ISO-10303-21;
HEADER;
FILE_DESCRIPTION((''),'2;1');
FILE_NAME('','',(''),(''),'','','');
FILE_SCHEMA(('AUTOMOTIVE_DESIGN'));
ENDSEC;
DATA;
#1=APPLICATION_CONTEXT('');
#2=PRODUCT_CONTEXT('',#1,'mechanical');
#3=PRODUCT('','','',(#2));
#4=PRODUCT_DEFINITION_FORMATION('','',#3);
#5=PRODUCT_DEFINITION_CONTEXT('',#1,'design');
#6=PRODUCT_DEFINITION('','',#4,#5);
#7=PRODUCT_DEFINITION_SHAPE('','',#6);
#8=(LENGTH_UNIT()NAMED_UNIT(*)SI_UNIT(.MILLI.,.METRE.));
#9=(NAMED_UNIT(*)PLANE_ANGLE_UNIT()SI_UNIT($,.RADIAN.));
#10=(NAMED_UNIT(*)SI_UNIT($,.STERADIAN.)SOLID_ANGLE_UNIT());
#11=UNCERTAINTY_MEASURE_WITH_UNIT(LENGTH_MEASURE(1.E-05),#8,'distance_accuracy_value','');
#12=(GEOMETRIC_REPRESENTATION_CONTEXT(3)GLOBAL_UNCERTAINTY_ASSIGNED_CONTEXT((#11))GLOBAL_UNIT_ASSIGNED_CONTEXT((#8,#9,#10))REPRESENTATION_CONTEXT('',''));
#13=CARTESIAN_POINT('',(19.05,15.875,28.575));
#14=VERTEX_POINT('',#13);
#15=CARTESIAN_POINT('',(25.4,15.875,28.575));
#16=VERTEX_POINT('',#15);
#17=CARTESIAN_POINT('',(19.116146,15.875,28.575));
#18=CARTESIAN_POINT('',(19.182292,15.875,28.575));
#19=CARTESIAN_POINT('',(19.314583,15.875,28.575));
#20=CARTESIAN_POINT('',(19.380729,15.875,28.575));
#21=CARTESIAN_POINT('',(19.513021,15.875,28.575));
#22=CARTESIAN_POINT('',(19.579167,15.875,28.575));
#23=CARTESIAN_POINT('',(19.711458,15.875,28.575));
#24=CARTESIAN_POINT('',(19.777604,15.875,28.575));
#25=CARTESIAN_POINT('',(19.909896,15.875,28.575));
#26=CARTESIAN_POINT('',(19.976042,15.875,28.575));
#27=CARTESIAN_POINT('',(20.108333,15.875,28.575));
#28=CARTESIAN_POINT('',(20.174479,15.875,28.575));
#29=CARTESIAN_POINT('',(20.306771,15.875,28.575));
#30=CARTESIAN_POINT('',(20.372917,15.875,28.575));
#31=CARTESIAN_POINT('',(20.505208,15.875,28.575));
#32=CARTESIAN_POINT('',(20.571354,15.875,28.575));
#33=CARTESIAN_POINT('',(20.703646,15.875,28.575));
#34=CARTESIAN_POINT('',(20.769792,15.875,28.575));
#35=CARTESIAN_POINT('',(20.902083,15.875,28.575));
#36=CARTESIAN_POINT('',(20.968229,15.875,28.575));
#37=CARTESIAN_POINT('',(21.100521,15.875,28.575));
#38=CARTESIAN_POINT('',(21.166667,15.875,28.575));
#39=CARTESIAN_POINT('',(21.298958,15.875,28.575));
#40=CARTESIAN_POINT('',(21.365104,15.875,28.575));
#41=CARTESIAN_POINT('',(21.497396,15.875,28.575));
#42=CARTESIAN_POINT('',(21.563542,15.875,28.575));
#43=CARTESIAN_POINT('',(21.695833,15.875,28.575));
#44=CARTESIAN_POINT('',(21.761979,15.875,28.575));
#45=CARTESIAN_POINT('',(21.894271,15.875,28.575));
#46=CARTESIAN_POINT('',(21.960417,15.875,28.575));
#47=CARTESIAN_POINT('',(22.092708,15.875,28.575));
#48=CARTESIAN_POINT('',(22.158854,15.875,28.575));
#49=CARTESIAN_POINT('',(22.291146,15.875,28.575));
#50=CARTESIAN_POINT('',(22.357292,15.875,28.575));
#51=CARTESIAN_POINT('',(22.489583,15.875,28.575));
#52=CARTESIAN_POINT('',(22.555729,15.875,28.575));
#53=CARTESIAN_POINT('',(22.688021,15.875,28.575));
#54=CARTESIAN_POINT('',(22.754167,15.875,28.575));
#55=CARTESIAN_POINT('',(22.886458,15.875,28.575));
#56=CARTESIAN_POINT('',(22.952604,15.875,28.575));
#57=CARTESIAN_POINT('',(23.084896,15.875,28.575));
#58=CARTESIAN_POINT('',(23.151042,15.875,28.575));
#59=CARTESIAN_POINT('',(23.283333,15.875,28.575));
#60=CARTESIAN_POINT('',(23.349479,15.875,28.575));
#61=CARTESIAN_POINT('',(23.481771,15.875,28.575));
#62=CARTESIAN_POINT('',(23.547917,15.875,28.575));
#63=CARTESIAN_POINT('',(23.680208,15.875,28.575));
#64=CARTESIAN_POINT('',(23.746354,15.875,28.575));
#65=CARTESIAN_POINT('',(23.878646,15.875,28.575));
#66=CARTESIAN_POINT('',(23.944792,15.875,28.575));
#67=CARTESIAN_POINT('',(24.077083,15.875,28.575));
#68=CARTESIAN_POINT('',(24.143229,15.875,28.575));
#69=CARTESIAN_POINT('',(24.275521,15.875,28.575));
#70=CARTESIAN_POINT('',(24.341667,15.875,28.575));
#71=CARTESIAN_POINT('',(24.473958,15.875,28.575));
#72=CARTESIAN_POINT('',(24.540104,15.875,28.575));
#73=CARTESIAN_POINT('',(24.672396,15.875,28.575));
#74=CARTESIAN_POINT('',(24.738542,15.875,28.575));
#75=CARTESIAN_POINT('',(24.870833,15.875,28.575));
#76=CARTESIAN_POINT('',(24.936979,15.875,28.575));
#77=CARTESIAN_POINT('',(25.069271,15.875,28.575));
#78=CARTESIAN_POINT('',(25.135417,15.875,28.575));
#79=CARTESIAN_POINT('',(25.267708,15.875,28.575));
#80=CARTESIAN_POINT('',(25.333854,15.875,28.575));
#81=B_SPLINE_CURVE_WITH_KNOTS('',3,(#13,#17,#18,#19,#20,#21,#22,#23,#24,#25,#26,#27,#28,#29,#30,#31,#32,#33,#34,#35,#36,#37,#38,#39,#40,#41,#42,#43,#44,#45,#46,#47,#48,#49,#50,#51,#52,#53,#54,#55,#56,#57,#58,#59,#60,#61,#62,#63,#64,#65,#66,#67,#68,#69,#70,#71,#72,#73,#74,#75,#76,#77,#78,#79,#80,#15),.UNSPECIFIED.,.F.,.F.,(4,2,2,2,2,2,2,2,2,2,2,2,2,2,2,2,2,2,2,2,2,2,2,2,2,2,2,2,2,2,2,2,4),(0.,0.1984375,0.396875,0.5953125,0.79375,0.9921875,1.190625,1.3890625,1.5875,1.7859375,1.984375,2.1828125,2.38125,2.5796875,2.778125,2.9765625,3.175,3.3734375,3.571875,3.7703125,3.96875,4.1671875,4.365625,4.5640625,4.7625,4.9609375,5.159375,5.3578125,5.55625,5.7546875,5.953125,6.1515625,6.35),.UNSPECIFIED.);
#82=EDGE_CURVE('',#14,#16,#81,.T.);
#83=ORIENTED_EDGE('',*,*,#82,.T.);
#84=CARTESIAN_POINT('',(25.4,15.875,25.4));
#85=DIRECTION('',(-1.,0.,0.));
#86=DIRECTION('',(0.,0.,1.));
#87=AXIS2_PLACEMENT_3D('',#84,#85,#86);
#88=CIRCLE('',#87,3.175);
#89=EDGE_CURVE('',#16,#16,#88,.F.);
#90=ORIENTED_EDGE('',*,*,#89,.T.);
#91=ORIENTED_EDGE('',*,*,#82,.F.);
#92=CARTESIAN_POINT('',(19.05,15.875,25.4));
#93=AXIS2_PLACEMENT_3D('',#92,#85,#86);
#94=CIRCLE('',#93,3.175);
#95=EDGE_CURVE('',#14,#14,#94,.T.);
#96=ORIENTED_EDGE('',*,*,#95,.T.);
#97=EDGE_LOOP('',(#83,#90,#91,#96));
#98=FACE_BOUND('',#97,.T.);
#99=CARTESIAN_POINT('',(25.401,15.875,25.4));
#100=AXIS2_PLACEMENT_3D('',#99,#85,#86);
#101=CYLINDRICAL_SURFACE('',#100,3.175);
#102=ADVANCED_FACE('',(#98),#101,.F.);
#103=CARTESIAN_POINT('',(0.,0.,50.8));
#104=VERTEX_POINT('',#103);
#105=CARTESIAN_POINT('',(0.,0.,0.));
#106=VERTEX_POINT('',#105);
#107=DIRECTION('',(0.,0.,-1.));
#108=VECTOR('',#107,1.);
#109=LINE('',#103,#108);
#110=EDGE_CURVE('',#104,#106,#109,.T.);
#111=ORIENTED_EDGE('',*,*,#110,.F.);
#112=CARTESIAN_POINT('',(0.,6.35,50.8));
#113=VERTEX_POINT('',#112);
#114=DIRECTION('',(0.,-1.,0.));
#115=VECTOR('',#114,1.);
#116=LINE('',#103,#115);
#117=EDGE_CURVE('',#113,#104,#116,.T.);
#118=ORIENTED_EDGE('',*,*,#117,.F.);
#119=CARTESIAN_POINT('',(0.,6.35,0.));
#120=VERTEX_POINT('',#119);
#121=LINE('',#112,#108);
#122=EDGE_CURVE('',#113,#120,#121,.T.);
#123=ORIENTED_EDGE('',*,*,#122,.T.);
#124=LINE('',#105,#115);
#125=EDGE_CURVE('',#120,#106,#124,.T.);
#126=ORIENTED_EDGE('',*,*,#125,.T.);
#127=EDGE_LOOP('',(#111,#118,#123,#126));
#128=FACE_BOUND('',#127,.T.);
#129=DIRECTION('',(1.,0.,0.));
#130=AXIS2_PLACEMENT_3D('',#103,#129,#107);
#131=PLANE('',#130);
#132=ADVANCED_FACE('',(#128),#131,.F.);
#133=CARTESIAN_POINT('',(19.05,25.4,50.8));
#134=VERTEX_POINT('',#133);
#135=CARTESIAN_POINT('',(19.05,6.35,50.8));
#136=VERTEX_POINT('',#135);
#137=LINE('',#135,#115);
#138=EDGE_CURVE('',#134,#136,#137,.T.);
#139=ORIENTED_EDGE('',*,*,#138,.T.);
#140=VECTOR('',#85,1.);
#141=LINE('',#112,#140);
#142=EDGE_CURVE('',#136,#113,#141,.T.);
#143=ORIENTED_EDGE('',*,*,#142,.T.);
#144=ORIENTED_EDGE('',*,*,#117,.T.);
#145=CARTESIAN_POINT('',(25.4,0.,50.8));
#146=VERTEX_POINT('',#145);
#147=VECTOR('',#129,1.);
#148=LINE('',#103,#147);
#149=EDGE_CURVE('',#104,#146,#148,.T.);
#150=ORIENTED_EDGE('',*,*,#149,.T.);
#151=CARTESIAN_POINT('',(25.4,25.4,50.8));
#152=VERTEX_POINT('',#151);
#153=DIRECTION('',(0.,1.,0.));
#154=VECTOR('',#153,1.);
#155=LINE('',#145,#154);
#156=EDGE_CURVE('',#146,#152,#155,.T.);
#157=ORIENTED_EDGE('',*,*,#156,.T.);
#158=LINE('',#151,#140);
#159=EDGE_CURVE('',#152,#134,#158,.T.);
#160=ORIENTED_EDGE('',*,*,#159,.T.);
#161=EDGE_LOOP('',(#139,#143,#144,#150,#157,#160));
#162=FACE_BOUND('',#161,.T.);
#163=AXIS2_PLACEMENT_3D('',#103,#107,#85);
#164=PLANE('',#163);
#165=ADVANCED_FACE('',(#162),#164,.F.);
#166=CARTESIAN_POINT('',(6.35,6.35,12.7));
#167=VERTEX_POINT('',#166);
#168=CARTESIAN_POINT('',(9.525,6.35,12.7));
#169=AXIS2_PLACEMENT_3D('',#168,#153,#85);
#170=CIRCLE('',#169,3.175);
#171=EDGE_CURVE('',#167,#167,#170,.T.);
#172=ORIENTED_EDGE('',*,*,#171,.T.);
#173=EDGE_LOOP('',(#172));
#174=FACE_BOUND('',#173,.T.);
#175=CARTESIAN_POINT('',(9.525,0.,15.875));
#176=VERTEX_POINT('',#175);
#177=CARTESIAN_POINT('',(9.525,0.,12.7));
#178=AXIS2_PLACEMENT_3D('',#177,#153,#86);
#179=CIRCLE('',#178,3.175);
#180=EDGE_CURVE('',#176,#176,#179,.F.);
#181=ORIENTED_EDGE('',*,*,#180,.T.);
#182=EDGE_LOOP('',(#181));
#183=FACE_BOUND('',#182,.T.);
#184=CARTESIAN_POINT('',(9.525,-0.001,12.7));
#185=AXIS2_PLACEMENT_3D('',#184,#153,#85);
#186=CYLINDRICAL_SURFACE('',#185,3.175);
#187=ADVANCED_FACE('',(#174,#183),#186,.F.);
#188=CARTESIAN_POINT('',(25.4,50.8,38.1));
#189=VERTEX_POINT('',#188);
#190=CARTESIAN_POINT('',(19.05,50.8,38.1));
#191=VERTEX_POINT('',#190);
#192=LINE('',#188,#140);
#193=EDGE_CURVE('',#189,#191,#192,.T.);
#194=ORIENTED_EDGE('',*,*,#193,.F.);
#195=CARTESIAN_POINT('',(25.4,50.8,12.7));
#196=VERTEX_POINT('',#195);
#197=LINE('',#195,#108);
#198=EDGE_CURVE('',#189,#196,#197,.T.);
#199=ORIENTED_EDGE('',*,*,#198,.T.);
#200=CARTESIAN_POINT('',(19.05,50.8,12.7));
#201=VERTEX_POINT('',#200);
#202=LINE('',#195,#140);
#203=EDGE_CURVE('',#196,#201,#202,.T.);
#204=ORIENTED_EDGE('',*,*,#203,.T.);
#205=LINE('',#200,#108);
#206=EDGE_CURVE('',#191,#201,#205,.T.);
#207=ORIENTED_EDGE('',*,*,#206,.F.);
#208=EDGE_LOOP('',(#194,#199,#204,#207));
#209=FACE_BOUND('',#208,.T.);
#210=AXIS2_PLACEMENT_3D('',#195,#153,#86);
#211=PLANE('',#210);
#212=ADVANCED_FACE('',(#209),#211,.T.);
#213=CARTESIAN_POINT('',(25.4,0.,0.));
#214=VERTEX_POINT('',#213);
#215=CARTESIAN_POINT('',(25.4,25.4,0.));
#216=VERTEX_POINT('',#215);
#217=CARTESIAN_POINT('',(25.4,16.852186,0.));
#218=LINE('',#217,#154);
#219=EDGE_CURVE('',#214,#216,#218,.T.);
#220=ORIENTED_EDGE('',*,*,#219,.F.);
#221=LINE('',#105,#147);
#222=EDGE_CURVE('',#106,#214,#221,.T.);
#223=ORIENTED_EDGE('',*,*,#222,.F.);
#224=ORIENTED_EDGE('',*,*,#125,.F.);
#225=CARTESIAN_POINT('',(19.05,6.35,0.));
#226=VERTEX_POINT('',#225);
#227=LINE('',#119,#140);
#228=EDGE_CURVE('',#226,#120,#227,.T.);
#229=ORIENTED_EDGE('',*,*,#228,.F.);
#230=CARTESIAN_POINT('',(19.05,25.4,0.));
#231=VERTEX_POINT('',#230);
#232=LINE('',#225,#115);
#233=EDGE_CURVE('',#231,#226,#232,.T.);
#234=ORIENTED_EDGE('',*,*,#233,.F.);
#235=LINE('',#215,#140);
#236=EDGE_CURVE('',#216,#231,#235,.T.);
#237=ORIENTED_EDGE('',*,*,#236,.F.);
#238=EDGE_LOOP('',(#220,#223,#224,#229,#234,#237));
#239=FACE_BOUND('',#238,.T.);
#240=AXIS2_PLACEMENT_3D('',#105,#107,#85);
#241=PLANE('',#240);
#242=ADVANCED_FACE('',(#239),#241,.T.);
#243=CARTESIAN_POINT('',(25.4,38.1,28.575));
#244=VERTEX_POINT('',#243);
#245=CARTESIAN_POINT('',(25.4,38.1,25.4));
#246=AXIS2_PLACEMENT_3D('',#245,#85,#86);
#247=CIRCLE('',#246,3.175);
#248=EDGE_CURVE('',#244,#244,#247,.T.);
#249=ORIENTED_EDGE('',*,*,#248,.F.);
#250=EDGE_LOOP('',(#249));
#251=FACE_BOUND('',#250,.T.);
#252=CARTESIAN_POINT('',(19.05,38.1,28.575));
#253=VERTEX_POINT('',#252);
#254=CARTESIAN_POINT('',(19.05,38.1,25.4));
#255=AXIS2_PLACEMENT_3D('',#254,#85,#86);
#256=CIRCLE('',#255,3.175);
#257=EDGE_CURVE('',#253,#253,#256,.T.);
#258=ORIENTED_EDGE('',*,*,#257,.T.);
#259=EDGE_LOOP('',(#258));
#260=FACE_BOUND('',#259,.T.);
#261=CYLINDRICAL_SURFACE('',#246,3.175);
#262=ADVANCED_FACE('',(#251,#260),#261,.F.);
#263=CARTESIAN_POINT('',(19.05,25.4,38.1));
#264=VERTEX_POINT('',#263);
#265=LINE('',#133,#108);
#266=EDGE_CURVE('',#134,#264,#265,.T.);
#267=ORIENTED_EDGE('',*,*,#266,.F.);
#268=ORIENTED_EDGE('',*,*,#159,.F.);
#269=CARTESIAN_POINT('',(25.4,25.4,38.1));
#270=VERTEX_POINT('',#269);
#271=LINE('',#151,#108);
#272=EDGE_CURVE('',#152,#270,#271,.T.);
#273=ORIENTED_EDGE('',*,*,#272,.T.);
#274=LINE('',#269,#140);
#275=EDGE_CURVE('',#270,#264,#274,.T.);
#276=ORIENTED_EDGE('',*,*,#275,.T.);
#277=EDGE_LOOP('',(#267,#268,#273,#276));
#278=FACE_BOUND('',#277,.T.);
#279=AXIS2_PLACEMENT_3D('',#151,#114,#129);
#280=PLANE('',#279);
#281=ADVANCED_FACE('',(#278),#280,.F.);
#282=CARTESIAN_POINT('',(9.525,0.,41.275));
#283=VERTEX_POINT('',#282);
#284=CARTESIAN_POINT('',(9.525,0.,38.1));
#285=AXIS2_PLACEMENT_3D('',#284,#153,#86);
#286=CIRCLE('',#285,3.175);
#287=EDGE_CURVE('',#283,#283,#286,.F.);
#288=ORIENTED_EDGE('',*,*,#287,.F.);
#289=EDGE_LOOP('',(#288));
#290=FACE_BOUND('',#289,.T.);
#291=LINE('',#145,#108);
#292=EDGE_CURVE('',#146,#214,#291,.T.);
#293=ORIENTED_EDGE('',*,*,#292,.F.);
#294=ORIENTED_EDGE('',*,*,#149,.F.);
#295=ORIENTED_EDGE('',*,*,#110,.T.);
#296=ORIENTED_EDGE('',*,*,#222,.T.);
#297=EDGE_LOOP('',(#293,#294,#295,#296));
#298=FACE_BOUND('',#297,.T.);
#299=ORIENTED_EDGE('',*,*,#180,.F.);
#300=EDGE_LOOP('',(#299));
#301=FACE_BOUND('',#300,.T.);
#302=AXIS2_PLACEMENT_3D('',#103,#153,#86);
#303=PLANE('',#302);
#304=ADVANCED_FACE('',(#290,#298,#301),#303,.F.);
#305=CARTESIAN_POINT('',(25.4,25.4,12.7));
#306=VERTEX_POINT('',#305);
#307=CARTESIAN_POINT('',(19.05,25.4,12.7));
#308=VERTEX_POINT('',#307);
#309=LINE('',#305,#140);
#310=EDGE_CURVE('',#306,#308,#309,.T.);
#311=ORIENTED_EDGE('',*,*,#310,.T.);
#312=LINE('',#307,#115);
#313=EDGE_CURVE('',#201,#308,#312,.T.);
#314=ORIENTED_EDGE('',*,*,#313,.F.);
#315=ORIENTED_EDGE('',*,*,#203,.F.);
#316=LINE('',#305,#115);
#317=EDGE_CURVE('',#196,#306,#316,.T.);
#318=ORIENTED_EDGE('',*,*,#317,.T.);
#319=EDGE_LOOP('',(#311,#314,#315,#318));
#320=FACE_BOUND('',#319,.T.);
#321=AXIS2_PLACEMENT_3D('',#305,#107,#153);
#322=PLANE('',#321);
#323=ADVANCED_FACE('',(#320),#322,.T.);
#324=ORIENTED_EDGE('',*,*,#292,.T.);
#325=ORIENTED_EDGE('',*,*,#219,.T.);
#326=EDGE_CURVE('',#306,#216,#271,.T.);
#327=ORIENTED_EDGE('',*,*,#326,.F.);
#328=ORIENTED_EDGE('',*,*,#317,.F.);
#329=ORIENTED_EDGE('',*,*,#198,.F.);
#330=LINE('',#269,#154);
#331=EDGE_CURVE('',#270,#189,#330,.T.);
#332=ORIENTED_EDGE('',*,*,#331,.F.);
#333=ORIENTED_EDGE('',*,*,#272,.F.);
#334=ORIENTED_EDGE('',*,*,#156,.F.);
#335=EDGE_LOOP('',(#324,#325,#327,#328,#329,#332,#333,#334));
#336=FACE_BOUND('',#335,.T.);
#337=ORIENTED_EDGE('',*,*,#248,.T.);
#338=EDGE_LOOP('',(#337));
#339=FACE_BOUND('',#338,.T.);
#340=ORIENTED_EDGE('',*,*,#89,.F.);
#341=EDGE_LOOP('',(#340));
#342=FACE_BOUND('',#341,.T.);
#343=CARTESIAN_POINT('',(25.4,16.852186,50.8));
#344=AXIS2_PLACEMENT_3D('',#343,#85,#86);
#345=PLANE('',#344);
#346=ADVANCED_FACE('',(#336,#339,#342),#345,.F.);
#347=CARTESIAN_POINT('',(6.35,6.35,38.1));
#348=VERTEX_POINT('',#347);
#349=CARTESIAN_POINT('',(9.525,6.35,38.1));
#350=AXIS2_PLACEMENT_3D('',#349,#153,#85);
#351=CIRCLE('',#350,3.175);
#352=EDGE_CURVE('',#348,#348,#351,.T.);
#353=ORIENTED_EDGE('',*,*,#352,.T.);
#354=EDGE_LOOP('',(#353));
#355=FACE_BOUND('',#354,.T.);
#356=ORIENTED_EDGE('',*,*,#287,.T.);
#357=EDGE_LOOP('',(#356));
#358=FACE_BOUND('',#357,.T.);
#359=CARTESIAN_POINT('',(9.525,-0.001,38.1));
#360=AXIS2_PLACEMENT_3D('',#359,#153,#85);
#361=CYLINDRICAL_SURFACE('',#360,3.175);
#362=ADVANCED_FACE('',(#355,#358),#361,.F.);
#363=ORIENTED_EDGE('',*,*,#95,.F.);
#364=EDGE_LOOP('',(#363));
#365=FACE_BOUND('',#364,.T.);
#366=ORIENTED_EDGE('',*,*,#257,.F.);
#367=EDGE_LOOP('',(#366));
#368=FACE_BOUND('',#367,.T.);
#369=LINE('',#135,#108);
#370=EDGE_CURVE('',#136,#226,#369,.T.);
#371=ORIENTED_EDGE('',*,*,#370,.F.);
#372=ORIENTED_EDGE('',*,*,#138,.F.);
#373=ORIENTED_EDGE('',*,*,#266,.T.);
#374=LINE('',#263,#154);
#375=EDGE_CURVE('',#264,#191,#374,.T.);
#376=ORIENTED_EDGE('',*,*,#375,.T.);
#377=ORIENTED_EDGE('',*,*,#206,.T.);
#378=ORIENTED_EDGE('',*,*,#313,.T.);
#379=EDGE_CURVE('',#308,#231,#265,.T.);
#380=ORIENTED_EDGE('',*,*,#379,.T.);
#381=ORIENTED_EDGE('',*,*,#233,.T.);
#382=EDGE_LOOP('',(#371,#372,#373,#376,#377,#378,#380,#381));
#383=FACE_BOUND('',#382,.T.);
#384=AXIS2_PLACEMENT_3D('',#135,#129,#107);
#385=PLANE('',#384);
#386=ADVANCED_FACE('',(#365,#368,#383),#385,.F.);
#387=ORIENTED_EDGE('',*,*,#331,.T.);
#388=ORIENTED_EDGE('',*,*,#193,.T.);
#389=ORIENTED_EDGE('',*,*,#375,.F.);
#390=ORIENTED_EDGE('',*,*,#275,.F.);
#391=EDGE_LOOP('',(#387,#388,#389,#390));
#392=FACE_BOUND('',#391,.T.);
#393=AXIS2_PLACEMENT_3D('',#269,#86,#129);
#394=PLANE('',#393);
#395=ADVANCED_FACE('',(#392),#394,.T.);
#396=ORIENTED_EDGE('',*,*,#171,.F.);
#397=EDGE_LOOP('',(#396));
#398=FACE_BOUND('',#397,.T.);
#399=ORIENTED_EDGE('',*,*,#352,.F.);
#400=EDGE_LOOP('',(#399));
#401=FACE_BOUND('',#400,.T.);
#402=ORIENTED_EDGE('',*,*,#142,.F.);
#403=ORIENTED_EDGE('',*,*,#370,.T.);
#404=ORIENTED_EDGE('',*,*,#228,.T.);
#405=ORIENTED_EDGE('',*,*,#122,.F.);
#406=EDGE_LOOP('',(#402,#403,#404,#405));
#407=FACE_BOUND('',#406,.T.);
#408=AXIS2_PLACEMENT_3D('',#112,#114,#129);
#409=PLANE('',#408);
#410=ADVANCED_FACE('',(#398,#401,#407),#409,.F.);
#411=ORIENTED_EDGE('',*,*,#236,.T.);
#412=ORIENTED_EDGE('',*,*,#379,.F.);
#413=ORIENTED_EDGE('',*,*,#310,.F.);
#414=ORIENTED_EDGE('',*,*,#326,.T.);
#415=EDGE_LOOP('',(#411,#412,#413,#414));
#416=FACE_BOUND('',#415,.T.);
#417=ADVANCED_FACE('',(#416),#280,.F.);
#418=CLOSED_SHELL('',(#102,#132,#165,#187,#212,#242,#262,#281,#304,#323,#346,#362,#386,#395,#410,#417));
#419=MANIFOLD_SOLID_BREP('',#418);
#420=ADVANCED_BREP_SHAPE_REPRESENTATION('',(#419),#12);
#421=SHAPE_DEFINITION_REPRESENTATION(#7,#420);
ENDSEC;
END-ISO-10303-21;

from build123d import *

# Parameters (mm, degrees)
BOSS_EXTRUDE1_DEPTH = 50.8
CUT_EXTRUDE1_REACH  = 61.906
SKETCH2_R           = 3.175
CUT_EXTRUDE2_REACH  = 61.906
SKETCH3_R           = 3.175
SKETCH4_W           = 25.4
SKETCH4_H           = 25.4
SKETCH4_R           = 3.175
BOSS_EXTRUDE2_DEPTH = 6.35


with BuildPart() as part:
    # Sketch1 → Boss-Extrude1 (new body)
    with BuildSketch(Plane.XY):
        Polygon((0, 0), (25.4, 0), (25.4, 16.852186277), (25.4, 25.4), (19.05, 25.4), (19.05, 6.35), (0, 6.35), align=None)
    extrude(amount=BOSS_EXTRUDE1_DEPTH)

    # Sketch2 → Cut-Extrude1 (cut, up to next)
    with BuildSketch(Plane(origin=(0, 6.35, 0), x_dir=(1, 0, 0), z_dir=(0, 1, 0)), mode=Mode.PRIVATE) as cut_extrude1_sk1:
        with Locations(Location((9.525, -12.7, 0), (0, 0, 180))):
            Circle(SKETCH2_R)
    cut_extrude1_tool1 = extrude(cut_extrude1_sk1.sketch, amount=-CUT_EXTRUDE1_REACH, mode=Mode.PRIVATE) & part.part
    # Sketch2 → Cut-Extrude1 (cut, up to next)
    with BuildSketch(Plane(origin=(0, 6.35, 0), x_dir=(1, 0, 0), z_dir=(0, 1, 0)), mode=Mode.PRIVATE) as cut_extrude1_sk2:
        with Locations(Location((9.525, -38.1, 0), (0, 0, 180))):
            Circle(SKETCH2_R)
    cut_extrude1_tool2 = extrude(cut_extrude1_sk2.sketch, amount=-CUT_EXTRUDE1_REACH, mode=Mode.PRIVATE) & part.part
    add(cut_extrude1_tool1.solids().sort_by_distance((9.525, 6.35, 12.7))[0], mode=Mode.SUBTRACT)
    add(cut_extrude1_tool2.solids().sort_by_distance((9.525, 6.35, 38.1))[0], mode=Mode.SUBTRACT)

    # Sketch3 → Cut-Extrude2 (cut, up to next)
    with BuildSketch(Plane.ZY.offset(-19.05), mode=Mode.PRIVATE) as cut_extrude2_sk1:
        with Locations((25.4, 15.875)):
            Circle(SKETCH3_R)
    cut_extrude2_tool1 = extrude(cut_extrude2_sk1.sketch, amount=-CUT_EXTRUDE2_REACH, mode=Mode.PRIVATE) & part.part
    add(cut_extrude2_tool1.solids().sort_by_distance((19.05, 15.875, 25.4))[0], mode=Mode.SUBTRACT)

    # Sketch4 → Boss-Extrude2 (add)
    with BuildSketch(Plane.ZY.offset(-19.05)):
        with Locations((25.4, 38.1)):
            Rectangle(SKETCH4_W, SKETCH4_H)
        with Locations((25.4, 38.1)):
            Circle(SKETCH4_R, mode=Mode.SUBTRACT)
    extrude(amount=-BOSS_EXTRUDE2_DEPTH)


solid = part.part
